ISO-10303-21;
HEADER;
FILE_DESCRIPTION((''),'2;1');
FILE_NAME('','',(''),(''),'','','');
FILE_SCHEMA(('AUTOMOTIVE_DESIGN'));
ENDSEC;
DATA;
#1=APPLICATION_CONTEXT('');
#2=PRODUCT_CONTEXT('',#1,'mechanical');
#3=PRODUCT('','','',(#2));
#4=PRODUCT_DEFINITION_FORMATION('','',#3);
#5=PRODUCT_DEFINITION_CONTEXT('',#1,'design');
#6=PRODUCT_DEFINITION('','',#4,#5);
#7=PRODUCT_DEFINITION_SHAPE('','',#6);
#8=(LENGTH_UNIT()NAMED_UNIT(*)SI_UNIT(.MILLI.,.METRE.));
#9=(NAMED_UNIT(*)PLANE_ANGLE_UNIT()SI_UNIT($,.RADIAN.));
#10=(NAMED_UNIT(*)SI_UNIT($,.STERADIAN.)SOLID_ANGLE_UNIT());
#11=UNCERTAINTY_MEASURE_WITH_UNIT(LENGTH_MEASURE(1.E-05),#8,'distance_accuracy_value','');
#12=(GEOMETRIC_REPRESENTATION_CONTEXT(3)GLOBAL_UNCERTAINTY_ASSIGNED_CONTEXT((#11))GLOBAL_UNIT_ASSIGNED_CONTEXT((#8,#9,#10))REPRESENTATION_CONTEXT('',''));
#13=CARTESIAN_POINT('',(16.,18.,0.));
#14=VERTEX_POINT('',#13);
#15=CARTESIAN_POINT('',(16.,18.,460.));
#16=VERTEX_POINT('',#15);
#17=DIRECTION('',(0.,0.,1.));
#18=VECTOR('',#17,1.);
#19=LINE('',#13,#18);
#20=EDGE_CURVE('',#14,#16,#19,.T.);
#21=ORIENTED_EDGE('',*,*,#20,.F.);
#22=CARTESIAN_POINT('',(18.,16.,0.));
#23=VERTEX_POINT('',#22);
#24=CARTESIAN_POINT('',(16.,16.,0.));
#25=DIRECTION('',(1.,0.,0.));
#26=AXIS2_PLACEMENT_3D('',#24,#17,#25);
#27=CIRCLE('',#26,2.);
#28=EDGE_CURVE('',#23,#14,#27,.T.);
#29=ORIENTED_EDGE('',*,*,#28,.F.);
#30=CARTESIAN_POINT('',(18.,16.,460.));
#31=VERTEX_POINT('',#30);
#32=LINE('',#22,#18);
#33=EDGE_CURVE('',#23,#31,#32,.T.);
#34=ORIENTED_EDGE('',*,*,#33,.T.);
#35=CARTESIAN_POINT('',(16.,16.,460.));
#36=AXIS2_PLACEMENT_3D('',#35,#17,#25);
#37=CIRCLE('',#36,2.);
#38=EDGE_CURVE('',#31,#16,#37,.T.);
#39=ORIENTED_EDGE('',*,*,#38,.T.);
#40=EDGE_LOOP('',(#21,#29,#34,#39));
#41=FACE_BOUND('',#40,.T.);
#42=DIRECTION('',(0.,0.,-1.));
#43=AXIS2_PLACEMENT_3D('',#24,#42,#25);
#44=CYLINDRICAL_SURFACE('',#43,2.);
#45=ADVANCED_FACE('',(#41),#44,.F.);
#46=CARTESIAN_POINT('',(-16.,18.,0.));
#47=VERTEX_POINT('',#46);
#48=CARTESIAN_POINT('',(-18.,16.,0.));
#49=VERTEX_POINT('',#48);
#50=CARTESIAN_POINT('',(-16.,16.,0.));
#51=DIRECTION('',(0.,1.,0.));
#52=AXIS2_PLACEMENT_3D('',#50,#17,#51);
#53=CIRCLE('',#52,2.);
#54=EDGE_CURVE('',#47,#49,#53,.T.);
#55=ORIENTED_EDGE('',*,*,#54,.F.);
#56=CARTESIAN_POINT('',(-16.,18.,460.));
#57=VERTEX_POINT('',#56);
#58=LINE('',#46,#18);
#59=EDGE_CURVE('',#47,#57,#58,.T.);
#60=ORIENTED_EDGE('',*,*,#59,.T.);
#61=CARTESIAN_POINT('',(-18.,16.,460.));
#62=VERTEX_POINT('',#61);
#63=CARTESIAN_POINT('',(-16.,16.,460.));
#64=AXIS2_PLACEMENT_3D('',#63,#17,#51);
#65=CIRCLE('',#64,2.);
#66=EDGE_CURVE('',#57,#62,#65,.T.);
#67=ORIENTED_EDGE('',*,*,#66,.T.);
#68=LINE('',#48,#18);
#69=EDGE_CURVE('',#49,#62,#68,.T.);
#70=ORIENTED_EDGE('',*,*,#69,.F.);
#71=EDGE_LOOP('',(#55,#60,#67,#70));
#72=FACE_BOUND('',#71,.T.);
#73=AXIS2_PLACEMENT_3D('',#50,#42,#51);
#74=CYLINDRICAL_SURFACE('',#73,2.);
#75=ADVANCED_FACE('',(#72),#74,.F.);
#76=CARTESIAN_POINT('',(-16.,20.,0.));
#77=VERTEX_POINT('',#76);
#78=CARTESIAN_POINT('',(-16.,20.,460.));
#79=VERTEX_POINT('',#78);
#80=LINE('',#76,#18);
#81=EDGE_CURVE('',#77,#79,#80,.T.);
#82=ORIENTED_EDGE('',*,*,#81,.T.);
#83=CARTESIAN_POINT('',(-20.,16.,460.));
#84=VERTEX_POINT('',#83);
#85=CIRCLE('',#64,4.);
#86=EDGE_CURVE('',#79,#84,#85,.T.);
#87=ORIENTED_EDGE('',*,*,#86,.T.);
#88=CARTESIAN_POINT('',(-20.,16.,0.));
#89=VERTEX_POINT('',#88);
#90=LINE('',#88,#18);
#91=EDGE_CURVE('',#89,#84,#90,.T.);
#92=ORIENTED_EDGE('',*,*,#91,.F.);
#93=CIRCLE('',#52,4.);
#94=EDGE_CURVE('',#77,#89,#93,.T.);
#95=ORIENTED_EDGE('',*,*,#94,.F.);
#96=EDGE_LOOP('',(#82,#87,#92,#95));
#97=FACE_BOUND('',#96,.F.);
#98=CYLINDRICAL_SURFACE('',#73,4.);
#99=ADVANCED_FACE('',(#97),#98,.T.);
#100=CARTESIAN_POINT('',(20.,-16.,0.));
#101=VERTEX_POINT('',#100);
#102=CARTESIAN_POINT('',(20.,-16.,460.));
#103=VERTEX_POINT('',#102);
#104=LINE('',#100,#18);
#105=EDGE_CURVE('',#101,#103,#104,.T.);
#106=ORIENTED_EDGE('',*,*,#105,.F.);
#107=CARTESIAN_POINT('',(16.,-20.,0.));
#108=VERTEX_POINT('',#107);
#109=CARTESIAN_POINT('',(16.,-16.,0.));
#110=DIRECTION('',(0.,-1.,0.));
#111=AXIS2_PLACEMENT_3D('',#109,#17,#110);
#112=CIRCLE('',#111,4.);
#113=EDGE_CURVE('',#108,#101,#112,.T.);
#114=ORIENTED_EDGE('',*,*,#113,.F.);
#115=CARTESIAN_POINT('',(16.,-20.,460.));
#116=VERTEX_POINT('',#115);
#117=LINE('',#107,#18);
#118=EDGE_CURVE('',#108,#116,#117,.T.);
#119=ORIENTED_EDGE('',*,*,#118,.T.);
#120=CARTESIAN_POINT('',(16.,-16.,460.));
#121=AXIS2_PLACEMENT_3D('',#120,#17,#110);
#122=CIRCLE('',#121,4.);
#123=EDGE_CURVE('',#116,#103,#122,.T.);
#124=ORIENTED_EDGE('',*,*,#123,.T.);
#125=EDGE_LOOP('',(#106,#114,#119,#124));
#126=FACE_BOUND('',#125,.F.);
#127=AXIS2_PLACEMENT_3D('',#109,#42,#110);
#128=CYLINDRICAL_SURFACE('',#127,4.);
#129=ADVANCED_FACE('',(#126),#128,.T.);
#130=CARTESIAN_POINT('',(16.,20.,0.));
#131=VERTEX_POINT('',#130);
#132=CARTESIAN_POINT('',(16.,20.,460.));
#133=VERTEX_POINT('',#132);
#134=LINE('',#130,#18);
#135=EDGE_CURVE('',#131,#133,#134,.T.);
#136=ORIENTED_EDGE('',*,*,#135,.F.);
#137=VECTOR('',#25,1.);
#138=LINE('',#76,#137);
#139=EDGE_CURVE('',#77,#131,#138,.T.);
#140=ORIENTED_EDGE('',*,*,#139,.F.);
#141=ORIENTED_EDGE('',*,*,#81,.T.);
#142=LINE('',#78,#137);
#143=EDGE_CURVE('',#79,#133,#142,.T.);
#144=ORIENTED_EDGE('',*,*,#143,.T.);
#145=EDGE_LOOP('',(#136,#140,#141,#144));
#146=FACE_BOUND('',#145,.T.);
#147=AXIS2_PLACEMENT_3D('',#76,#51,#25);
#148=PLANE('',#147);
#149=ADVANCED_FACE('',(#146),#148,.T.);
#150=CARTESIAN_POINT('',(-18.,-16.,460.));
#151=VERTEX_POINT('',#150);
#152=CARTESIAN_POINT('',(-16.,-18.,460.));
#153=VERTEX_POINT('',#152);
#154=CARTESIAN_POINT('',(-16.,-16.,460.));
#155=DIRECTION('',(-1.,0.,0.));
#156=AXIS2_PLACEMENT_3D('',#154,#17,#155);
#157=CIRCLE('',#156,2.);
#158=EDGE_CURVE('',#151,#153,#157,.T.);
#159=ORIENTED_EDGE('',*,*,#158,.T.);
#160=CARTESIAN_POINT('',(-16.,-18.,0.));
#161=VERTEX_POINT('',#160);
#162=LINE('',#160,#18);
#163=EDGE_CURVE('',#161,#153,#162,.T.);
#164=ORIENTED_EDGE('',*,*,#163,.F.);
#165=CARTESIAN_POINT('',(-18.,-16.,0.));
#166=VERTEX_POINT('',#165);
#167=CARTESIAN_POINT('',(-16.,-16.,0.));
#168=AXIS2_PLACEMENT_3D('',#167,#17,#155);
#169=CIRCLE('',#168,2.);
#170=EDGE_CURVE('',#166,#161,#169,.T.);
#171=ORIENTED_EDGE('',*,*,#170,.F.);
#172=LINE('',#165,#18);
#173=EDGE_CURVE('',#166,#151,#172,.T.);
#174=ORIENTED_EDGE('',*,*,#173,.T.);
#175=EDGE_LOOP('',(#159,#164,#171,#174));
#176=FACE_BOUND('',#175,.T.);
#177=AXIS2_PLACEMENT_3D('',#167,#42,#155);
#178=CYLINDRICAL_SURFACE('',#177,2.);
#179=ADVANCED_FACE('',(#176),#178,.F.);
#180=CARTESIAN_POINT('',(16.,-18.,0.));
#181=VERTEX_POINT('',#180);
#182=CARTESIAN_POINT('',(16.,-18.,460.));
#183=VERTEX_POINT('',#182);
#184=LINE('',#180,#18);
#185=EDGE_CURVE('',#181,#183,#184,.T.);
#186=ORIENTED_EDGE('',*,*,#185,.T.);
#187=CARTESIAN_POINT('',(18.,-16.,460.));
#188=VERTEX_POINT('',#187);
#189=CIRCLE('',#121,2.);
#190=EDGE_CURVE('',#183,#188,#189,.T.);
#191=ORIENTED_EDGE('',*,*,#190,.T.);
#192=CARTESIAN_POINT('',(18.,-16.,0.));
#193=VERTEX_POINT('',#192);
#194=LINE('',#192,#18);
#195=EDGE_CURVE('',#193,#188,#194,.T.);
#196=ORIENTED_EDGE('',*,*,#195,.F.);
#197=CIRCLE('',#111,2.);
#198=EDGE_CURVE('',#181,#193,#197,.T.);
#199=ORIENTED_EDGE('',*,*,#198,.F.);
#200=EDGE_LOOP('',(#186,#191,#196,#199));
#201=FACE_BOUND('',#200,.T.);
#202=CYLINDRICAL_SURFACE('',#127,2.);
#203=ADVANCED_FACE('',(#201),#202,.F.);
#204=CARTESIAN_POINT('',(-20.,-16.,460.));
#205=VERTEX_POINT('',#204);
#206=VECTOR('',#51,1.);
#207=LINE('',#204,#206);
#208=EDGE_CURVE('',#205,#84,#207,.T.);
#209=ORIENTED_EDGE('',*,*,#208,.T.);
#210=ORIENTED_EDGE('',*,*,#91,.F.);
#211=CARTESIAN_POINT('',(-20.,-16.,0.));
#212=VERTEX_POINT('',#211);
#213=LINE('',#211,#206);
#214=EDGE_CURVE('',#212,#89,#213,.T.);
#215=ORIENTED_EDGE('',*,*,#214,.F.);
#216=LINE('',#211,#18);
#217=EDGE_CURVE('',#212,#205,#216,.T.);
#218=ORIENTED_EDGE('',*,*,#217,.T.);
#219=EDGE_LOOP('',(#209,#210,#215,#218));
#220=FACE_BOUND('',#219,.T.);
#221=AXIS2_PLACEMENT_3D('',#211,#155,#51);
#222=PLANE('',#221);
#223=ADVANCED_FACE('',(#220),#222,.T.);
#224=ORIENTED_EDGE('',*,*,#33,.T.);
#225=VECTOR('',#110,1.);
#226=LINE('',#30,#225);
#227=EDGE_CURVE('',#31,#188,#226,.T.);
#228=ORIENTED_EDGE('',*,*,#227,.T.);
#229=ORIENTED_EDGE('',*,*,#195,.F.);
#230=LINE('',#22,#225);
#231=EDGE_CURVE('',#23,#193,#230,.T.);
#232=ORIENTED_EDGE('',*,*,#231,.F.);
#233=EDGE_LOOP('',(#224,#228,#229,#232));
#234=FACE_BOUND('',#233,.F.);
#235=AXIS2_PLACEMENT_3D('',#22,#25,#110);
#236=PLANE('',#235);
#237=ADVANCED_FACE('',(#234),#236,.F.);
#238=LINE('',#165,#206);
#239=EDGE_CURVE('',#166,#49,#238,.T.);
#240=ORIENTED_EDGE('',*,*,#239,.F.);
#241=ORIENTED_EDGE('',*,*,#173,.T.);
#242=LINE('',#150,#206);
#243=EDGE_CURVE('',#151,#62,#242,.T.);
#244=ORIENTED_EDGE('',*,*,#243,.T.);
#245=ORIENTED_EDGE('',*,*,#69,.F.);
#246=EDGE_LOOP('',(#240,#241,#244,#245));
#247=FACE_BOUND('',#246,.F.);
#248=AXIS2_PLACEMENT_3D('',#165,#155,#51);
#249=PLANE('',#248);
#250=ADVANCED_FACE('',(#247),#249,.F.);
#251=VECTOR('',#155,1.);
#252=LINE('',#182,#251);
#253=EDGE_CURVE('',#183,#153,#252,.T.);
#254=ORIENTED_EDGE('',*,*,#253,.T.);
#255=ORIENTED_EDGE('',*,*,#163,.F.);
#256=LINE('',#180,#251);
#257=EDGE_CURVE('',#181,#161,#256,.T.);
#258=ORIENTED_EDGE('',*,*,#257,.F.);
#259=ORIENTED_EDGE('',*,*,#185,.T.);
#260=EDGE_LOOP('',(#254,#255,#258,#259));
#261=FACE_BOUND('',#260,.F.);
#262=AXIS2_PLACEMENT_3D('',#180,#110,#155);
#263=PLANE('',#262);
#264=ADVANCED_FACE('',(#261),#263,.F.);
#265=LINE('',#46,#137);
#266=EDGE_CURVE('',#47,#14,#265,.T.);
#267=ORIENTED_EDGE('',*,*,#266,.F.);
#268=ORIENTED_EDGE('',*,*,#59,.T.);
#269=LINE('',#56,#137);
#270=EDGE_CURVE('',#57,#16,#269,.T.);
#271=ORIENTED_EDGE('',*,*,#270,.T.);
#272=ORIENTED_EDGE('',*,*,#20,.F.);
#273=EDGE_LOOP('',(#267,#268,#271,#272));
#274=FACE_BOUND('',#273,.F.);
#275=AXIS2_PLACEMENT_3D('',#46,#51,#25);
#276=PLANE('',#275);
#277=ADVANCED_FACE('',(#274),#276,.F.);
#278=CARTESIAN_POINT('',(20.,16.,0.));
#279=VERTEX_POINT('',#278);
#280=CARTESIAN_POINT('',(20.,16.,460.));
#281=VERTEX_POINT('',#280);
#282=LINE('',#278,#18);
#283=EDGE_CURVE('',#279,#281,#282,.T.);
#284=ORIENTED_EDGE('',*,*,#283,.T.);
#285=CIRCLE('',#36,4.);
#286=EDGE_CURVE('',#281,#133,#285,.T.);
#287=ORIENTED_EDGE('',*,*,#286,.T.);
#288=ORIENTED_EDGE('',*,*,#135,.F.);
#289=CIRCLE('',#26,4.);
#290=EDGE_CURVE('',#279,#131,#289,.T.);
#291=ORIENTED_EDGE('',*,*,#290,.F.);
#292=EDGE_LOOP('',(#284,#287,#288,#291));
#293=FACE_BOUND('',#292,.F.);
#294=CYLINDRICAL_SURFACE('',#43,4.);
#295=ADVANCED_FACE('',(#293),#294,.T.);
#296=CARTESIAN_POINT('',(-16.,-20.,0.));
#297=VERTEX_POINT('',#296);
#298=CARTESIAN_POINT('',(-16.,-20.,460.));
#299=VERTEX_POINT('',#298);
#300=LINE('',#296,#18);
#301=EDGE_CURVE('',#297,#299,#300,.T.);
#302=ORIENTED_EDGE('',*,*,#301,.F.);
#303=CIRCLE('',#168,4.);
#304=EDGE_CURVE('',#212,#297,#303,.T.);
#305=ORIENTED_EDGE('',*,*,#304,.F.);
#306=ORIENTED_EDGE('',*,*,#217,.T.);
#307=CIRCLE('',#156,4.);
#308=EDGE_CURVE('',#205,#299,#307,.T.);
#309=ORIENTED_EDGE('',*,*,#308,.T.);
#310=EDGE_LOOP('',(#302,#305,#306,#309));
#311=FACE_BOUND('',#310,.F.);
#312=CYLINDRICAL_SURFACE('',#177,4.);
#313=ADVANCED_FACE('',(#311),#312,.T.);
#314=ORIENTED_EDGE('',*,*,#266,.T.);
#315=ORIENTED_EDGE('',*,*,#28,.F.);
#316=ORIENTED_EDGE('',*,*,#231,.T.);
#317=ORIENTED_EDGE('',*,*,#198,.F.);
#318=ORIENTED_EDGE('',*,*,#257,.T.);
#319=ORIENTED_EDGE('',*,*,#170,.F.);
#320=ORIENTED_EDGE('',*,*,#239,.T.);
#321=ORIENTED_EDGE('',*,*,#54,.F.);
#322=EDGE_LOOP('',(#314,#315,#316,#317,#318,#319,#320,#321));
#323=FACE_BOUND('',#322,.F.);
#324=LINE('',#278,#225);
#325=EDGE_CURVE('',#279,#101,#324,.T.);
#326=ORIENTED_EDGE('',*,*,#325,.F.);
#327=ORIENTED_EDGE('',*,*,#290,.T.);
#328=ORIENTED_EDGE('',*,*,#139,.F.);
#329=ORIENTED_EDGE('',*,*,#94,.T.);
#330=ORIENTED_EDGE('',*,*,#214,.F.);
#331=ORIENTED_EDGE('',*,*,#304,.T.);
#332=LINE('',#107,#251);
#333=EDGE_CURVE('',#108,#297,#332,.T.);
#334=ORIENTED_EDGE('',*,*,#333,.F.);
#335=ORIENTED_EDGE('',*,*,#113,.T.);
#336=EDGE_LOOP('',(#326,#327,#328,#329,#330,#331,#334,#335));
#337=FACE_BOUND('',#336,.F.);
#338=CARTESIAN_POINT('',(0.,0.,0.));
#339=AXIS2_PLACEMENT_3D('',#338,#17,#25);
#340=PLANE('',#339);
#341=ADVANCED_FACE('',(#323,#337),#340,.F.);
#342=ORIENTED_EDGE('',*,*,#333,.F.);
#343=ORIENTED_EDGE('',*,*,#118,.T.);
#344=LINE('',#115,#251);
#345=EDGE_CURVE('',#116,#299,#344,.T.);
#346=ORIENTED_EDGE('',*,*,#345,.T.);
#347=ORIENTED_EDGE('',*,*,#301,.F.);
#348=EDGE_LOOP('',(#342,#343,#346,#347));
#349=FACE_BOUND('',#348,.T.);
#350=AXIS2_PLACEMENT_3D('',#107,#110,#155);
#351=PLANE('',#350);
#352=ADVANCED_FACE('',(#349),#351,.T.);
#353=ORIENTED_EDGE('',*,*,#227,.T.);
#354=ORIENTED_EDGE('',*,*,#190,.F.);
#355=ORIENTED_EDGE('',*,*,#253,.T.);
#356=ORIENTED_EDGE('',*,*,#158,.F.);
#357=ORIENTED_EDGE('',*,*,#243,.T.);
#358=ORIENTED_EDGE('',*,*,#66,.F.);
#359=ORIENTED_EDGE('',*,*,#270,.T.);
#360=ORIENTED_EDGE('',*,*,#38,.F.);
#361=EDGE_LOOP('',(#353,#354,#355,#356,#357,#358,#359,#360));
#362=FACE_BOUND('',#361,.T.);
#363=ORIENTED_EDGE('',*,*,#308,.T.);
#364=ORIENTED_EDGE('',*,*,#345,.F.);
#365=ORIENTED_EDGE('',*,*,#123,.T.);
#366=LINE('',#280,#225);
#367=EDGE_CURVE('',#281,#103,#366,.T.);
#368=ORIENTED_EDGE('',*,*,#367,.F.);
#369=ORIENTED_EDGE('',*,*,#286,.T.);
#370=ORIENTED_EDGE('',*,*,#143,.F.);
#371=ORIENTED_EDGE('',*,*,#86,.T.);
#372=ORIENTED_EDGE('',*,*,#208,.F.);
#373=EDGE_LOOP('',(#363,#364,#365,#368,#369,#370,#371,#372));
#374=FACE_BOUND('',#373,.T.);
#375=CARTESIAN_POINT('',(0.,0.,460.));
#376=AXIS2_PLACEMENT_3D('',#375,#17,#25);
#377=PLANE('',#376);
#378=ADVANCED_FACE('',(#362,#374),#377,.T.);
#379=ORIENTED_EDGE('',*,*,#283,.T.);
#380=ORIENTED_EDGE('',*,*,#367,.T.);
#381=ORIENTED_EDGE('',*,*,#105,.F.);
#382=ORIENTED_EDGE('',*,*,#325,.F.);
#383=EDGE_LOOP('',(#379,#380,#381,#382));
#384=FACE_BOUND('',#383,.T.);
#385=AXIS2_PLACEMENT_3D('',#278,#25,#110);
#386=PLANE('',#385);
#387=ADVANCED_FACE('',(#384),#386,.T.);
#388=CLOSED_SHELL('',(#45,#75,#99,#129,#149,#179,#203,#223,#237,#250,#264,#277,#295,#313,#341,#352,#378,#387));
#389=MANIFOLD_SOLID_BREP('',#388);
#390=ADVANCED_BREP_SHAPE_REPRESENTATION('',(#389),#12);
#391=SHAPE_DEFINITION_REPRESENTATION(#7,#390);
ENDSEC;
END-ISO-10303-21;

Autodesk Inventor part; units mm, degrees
ref_plane "YZ Plane" through (0, 0, 0) normal (1, 0, 0) x (0, 1, 0)
ref_plane "Start Plane" through (0, 0, 0) normal (0, 0, 1) x (1, 0, 0)
ref_plane "End Plane" through (0, 0, 460) normal (0, 0, 1) x (1, 0, 0)
sketch "Sketch" plane through (0, 0, 0) normal (0, 0, 1) x (1, 0, 0)
  line L0 (-20, -16) -> (-20, 16)
  line L1 (-16, 20) -> (16, 20)
  line L2 (20, 16) -> (20, -16)
  line L3 (16, -20) -> (-16, -20)
  arc A0 (-20, -16) -> (-16, -20) centre (-16, -16) ccw
  arc A1 (20, 16) -> (16, 20) centre (16, 16) ccw
  arc A2 (-16, 20) -> (-20, 16) centre (-16, 16) ccw
  arc A3 (16, -20) -> (20, -16) centre (16, -16) ccw
  arc A4 (-16, 18) -> (-18, 16) centre (-16, 16) ccw
  line L4 (-16, 18) -> (16, 18)
  arc A5 (18, 16) -> (16, 18) centre (16, 16) ccw
  line L5 (18, 16) -> (18, -16)
  arc A6 (16, -18) -> (18, -16) centre (16, -16) ccw
  line L6 (16, -18) -> (-16, -18)
  arc A7 (-18, -16) -> (-16, -18) centre (-16, -16) ccw
  line L7 (-18, -16) -> (-18, 16)
  line L8 (0, 29.1598) -> (0, -29.1598) construction
  line L9 (-29.1598, 0) -> (29.1598, 0) construction
  dimension "d7" = 4
  dimension "d9" = 40
  dimension "d11" = 40
  dimension "d12" = 2
  dimension "d15" = 20
  dimension "d16" = 20
extrude "Body" add sketch "Sketch" along normal up to surface (460 mm away) from surface at 0
sketch "Sketch3" plane through (0, 0, 0) normal (0, 0, 1) x (1, 0, 0)
  line L0 (0, 0) -> (10, 0)
ref_plane "Work Plane3" through (0, 0, 0) normal (0, -1, 0) x (1, 0, 0)
sketch "Sketch4" plane through (0, 0, 0) normal (0, -1, 0) x (1, 0, 0)
  line L0 (-2, 0) -> (12, 0) projected
  line L1 (-2, 460) -> (12, 460) projected
  dimension "d18" = 460
equation "\"d7\" = G_IR"
equation "\"d9\" = G_W"
equation "\"d11\" = G_H"
equation "\"d12\" = G_T"
equation "\"d15\" = 0.5 * d9"
equation "\"d16\" = 0.5 * d11"
equation "\"d3\" = G_L"
equation "\"G_W\" = 40"
equation "\"G_H\" = 40"
equation "\"G_T\" = 2"
equation "\"G_IR\" = 4"
equation "\"G_L\" = d18"
equation "\"G_OFFSET_START\" = 0"
equation "\"G_OFFSET_END\" = 0"
properties part number "ISO 4019 - 40x40x2 - 460" material "Steel, Mild"
